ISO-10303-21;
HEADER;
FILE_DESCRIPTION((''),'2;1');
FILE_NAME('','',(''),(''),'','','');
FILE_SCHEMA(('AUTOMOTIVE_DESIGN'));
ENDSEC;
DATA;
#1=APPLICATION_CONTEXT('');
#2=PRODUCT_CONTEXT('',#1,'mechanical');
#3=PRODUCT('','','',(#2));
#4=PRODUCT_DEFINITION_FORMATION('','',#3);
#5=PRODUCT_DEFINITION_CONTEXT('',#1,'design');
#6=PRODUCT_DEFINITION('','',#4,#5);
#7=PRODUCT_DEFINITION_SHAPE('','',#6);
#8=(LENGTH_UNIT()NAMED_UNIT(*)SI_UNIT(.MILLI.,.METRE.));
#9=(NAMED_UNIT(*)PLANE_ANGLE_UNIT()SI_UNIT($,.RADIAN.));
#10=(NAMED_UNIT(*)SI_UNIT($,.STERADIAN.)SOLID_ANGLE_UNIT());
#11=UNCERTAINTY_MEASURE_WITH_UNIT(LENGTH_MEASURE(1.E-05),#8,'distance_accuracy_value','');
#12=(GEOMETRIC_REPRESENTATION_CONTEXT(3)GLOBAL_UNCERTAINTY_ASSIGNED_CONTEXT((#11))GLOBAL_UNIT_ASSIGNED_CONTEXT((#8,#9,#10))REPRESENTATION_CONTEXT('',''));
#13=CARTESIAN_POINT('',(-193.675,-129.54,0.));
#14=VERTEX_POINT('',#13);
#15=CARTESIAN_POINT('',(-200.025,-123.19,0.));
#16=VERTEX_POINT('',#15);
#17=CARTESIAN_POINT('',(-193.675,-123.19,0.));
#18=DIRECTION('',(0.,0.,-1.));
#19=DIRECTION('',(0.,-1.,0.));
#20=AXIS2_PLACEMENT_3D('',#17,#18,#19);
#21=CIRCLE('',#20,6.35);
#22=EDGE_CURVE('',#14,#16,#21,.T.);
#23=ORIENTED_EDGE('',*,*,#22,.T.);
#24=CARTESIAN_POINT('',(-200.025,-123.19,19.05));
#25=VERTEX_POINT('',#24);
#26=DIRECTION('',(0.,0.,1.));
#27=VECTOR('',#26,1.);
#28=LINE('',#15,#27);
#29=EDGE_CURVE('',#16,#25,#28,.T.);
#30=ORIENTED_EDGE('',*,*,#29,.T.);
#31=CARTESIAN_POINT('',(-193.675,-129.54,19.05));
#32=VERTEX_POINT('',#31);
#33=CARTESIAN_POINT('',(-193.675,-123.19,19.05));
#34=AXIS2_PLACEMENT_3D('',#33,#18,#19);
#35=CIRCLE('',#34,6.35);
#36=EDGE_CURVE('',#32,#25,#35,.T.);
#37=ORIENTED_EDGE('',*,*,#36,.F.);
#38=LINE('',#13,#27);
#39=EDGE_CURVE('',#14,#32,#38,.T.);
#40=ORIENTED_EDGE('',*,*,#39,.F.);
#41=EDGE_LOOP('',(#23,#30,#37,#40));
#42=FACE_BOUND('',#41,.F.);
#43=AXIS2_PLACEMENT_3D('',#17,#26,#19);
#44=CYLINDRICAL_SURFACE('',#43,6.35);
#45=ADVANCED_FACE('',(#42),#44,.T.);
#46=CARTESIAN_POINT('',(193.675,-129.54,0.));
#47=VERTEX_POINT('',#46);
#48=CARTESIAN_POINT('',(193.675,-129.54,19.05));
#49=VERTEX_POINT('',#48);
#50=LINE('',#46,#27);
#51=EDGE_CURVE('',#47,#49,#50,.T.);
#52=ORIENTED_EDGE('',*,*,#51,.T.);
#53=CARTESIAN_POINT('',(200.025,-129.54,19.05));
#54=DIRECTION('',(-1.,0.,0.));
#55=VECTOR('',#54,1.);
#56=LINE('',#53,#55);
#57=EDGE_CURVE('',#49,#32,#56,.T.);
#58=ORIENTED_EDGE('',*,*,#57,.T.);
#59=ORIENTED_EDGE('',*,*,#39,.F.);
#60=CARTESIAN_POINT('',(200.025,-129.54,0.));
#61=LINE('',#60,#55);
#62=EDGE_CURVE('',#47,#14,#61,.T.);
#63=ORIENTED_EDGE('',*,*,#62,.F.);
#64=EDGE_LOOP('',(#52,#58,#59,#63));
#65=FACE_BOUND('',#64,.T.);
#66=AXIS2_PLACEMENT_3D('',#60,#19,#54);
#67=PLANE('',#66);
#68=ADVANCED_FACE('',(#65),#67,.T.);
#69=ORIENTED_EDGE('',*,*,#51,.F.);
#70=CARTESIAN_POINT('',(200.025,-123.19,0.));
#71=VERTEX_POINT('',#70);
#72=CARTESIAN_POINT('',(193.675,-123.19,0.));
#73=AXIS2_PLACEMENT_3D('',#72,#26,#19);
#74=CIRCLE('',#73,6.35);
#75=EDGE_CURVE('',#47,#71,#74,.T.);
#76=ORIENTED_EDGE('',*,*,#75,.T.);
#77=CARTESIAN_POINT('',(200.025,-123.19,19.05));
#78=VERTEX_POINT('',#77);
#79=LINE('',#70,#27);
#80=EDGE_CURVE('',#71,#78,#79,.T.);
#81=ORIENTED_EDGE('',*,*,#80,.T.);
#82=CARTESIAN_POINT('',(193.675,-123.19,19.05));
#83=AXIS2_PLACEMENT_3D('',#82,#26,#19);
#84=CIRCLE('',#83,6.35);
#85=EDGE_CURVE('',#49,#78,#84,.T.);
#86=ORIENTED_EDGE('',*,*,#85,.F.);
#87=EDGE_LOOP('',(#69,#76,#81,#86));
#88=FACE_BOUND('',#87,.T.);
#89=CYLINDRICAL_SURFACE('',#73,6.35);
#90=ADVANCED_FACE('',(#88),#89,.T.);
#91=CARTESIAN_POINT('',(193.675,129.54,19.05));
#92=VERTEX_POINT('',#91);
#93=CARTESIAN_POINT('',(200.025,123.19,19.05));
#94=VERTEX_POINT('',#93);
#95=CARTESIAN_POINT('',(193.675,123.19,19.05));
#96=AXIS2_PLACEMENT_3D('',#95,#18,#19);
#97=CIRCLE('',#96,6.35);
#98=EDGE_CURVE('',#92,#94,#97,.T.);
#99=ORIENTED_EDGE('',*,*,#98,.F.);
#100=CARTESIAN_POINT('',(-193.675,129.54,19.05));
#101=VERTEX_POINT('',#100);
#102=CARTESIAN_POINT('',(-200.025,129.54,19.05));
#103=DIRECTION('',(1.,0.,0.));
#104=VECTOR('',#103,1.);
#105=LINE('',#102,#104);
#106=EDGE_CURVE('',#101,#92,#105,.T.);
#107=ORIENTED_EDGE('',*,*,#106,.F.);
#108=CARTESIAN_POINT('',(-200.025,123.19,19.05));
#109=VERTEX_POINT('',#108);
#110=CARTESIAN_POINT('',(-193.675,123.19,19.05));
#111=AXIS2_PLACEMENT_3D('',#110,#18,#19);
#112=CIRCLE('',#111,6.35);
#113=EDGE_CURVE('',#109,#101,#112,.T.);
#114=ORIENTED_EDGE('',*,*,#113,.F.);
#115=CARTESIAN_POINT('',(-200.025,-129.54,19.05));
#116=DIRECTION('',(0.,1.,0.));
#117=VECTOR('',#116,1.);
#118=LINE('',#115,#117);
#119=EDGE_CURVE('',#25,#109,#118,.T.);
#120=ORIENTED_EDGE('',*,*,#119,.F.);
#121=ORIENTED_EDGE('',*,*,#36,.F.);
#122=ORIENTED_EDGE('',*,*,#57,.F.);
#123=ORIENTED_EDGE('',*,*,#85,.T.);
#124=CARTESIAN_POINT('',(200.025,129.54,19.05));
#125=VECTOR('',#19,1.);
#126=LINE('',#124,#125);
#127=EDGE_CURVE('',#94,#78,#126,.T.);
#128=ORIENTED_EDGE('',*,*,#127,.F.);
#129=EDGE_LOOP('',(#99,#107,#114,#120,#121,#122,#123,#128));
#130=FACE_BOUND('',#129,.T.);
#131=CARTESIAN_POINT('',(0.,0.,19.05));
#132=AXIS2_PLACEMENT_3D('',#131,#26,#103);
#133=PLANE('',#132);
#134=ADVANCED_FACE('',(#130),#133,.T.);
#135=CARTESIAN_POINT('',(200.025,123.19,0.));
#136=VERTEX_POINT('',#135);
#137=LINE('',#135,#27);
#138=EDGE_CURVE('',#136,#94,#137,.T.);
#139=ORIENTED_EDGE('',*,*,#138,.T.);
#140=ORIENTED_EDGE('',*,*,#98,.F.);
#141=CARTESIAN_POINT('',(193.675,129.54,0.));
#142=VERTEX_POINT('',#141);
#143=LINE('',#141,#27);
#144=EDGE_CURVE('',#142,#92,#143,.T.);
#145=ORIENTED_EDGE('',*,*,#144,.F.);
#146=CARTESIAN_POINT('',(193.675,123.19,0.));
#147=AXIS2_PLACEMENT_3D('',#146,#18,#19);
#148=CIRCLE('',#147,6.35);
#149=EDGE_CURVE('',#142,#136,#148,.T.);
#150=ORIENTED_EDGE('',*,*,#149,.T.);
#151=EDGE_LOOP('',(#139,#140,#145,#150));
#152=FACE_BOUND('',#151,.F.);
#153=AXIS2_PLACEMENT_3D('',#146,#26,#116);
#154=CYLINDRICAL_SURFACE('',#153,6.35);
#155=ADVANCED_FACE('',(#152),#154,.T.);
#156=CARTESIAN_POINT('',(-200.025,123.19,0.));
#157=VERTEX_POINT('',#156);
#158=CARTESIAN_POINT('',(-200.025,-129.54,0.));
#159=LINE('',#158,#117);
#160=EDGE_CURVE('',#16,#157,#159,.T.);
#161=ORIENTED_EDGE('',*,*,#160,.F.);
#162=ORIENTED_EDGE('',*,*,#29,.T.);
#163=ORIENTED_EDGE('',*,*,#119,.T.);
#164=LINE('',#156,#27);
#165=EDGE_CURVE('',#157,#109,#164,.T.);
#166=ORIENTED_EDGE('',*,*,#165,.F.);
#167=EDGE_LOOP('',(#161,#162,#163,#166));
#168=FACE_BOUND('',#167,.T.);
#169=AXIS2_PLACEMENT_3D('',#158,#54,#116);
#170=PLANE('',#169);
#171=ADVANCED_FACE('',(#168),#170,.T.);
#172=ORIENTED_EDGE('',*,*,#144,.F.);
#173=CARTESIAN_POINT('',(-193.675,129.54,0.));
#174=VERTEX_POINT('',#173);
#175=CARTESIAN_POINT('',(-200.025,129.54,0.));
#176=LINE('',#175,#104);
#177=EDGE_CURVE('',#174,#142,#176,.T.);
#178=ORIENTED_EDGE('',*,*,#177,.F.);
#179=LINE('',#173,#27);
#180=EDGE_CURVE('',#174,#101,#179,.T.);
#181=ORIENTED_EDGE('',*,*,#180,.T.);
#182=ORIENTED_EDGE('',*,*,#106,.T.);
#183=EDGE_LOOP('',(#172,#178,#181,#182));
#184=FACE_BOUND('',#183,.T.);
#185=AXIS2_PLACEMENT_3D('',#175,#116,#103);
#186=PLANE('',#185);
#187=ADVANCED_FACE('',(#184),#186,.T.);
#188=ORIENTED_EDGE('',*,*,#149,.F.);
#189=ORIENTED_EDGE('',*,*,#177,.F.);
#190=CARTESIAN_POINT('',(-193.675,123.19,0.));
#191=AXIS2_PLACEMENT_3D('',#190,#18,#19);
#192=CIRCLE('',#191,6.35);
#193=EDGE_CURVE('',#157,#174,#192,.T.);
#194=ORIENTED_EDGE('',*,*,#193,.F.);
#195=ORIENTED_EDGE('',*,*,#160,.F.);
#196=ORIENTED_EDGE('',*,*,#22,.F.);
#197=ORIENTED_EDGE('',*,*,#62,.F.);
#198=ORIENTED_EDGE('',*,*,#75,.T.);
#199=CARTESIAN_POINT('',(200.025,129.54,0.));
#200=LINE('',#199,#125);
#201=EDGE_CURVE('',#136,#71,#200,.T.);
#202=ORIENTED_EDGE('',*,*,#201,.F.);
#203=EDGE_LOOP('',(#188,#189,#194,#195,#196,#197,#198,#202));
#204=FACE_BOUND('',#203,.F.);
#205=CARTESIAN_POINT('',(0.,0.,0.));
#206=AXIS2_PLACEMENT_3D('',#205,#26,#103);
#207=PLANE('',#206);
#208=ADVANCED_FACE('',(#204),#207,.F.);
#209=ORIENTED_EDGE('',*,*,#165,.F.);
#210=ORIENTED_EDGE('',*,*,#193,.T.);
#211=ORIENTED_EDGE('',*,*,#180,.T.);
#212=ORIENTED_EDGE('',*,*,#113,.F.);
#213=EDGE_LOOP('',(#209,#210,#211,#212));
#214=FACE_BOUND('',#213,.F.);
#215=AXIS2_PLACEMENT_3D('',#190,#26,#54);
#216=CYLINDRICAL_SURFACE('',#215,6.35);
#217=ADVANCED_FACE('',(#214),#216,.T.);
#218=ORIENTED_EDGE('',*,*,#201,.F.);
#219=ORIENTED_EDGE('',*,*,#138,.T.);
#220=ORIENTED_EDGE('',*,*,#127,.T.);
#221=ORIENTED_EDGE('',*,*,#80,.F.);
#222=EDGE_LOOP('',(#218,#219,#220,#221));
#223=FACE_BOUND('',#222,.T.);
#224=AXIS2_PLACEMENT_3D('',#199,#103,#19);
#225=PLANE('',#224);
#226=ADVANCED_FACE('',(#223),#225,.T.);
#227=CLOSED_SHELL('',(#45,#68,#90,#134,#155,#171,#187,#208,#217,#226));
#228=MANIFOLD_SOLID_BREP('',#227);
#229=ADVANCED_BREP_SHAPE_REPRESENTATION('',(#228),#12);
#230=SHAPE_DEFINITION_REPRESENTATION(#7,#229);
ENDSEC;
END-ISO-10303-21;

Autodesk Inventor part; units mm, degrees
ref_plane "YZ Plane" through (0, 0, 0) normal (1, 0, 0) x (0, 1, 0)
ref_plane "XZ Plane" through (0, 0, 0) normal (0, 1, 0) x (-1, 0, 0)
ref_plane "XY Plane" through (0, 0, 0) normal (0, 0, 1) x (1, 0, 0)
sketch "Sketch1" plane through (0, 0, 0) normal (0, 0, 1) x (1, 0, 0)
  line L0 (200.025, -129.54) -> (-200.025, -129.54)
  line L1 (-200.025, -129.54) -> (-200.025, 129.54)
  line L2 (-200.025, 129.54) -> (200.025, 129.54)
  line L3 (200.025, 129.54) -> (200.025, -129.54)
  line L4 (200.025, -129.54) -> (-200.025, 129.54) construction
  line L5 (-200.025, -129.54) -> (200.025, 129.54) construction
  point P0 (0, 0)
  dimension "d0" = 400.05
  dimension "d1" = 259.08
extrude "Extrusion1" add sketch "Sketch1" along normal blind 19.05
fillet "Fillet1" radius 6.35 4 edges at (-200.025, 129.54, 9.525) (200.025, 129.54, 9.525) (200.025, -129.54, 9.525) (-200.025, -129.54, 9.525)
properties part number "LaptopScaleModel"
